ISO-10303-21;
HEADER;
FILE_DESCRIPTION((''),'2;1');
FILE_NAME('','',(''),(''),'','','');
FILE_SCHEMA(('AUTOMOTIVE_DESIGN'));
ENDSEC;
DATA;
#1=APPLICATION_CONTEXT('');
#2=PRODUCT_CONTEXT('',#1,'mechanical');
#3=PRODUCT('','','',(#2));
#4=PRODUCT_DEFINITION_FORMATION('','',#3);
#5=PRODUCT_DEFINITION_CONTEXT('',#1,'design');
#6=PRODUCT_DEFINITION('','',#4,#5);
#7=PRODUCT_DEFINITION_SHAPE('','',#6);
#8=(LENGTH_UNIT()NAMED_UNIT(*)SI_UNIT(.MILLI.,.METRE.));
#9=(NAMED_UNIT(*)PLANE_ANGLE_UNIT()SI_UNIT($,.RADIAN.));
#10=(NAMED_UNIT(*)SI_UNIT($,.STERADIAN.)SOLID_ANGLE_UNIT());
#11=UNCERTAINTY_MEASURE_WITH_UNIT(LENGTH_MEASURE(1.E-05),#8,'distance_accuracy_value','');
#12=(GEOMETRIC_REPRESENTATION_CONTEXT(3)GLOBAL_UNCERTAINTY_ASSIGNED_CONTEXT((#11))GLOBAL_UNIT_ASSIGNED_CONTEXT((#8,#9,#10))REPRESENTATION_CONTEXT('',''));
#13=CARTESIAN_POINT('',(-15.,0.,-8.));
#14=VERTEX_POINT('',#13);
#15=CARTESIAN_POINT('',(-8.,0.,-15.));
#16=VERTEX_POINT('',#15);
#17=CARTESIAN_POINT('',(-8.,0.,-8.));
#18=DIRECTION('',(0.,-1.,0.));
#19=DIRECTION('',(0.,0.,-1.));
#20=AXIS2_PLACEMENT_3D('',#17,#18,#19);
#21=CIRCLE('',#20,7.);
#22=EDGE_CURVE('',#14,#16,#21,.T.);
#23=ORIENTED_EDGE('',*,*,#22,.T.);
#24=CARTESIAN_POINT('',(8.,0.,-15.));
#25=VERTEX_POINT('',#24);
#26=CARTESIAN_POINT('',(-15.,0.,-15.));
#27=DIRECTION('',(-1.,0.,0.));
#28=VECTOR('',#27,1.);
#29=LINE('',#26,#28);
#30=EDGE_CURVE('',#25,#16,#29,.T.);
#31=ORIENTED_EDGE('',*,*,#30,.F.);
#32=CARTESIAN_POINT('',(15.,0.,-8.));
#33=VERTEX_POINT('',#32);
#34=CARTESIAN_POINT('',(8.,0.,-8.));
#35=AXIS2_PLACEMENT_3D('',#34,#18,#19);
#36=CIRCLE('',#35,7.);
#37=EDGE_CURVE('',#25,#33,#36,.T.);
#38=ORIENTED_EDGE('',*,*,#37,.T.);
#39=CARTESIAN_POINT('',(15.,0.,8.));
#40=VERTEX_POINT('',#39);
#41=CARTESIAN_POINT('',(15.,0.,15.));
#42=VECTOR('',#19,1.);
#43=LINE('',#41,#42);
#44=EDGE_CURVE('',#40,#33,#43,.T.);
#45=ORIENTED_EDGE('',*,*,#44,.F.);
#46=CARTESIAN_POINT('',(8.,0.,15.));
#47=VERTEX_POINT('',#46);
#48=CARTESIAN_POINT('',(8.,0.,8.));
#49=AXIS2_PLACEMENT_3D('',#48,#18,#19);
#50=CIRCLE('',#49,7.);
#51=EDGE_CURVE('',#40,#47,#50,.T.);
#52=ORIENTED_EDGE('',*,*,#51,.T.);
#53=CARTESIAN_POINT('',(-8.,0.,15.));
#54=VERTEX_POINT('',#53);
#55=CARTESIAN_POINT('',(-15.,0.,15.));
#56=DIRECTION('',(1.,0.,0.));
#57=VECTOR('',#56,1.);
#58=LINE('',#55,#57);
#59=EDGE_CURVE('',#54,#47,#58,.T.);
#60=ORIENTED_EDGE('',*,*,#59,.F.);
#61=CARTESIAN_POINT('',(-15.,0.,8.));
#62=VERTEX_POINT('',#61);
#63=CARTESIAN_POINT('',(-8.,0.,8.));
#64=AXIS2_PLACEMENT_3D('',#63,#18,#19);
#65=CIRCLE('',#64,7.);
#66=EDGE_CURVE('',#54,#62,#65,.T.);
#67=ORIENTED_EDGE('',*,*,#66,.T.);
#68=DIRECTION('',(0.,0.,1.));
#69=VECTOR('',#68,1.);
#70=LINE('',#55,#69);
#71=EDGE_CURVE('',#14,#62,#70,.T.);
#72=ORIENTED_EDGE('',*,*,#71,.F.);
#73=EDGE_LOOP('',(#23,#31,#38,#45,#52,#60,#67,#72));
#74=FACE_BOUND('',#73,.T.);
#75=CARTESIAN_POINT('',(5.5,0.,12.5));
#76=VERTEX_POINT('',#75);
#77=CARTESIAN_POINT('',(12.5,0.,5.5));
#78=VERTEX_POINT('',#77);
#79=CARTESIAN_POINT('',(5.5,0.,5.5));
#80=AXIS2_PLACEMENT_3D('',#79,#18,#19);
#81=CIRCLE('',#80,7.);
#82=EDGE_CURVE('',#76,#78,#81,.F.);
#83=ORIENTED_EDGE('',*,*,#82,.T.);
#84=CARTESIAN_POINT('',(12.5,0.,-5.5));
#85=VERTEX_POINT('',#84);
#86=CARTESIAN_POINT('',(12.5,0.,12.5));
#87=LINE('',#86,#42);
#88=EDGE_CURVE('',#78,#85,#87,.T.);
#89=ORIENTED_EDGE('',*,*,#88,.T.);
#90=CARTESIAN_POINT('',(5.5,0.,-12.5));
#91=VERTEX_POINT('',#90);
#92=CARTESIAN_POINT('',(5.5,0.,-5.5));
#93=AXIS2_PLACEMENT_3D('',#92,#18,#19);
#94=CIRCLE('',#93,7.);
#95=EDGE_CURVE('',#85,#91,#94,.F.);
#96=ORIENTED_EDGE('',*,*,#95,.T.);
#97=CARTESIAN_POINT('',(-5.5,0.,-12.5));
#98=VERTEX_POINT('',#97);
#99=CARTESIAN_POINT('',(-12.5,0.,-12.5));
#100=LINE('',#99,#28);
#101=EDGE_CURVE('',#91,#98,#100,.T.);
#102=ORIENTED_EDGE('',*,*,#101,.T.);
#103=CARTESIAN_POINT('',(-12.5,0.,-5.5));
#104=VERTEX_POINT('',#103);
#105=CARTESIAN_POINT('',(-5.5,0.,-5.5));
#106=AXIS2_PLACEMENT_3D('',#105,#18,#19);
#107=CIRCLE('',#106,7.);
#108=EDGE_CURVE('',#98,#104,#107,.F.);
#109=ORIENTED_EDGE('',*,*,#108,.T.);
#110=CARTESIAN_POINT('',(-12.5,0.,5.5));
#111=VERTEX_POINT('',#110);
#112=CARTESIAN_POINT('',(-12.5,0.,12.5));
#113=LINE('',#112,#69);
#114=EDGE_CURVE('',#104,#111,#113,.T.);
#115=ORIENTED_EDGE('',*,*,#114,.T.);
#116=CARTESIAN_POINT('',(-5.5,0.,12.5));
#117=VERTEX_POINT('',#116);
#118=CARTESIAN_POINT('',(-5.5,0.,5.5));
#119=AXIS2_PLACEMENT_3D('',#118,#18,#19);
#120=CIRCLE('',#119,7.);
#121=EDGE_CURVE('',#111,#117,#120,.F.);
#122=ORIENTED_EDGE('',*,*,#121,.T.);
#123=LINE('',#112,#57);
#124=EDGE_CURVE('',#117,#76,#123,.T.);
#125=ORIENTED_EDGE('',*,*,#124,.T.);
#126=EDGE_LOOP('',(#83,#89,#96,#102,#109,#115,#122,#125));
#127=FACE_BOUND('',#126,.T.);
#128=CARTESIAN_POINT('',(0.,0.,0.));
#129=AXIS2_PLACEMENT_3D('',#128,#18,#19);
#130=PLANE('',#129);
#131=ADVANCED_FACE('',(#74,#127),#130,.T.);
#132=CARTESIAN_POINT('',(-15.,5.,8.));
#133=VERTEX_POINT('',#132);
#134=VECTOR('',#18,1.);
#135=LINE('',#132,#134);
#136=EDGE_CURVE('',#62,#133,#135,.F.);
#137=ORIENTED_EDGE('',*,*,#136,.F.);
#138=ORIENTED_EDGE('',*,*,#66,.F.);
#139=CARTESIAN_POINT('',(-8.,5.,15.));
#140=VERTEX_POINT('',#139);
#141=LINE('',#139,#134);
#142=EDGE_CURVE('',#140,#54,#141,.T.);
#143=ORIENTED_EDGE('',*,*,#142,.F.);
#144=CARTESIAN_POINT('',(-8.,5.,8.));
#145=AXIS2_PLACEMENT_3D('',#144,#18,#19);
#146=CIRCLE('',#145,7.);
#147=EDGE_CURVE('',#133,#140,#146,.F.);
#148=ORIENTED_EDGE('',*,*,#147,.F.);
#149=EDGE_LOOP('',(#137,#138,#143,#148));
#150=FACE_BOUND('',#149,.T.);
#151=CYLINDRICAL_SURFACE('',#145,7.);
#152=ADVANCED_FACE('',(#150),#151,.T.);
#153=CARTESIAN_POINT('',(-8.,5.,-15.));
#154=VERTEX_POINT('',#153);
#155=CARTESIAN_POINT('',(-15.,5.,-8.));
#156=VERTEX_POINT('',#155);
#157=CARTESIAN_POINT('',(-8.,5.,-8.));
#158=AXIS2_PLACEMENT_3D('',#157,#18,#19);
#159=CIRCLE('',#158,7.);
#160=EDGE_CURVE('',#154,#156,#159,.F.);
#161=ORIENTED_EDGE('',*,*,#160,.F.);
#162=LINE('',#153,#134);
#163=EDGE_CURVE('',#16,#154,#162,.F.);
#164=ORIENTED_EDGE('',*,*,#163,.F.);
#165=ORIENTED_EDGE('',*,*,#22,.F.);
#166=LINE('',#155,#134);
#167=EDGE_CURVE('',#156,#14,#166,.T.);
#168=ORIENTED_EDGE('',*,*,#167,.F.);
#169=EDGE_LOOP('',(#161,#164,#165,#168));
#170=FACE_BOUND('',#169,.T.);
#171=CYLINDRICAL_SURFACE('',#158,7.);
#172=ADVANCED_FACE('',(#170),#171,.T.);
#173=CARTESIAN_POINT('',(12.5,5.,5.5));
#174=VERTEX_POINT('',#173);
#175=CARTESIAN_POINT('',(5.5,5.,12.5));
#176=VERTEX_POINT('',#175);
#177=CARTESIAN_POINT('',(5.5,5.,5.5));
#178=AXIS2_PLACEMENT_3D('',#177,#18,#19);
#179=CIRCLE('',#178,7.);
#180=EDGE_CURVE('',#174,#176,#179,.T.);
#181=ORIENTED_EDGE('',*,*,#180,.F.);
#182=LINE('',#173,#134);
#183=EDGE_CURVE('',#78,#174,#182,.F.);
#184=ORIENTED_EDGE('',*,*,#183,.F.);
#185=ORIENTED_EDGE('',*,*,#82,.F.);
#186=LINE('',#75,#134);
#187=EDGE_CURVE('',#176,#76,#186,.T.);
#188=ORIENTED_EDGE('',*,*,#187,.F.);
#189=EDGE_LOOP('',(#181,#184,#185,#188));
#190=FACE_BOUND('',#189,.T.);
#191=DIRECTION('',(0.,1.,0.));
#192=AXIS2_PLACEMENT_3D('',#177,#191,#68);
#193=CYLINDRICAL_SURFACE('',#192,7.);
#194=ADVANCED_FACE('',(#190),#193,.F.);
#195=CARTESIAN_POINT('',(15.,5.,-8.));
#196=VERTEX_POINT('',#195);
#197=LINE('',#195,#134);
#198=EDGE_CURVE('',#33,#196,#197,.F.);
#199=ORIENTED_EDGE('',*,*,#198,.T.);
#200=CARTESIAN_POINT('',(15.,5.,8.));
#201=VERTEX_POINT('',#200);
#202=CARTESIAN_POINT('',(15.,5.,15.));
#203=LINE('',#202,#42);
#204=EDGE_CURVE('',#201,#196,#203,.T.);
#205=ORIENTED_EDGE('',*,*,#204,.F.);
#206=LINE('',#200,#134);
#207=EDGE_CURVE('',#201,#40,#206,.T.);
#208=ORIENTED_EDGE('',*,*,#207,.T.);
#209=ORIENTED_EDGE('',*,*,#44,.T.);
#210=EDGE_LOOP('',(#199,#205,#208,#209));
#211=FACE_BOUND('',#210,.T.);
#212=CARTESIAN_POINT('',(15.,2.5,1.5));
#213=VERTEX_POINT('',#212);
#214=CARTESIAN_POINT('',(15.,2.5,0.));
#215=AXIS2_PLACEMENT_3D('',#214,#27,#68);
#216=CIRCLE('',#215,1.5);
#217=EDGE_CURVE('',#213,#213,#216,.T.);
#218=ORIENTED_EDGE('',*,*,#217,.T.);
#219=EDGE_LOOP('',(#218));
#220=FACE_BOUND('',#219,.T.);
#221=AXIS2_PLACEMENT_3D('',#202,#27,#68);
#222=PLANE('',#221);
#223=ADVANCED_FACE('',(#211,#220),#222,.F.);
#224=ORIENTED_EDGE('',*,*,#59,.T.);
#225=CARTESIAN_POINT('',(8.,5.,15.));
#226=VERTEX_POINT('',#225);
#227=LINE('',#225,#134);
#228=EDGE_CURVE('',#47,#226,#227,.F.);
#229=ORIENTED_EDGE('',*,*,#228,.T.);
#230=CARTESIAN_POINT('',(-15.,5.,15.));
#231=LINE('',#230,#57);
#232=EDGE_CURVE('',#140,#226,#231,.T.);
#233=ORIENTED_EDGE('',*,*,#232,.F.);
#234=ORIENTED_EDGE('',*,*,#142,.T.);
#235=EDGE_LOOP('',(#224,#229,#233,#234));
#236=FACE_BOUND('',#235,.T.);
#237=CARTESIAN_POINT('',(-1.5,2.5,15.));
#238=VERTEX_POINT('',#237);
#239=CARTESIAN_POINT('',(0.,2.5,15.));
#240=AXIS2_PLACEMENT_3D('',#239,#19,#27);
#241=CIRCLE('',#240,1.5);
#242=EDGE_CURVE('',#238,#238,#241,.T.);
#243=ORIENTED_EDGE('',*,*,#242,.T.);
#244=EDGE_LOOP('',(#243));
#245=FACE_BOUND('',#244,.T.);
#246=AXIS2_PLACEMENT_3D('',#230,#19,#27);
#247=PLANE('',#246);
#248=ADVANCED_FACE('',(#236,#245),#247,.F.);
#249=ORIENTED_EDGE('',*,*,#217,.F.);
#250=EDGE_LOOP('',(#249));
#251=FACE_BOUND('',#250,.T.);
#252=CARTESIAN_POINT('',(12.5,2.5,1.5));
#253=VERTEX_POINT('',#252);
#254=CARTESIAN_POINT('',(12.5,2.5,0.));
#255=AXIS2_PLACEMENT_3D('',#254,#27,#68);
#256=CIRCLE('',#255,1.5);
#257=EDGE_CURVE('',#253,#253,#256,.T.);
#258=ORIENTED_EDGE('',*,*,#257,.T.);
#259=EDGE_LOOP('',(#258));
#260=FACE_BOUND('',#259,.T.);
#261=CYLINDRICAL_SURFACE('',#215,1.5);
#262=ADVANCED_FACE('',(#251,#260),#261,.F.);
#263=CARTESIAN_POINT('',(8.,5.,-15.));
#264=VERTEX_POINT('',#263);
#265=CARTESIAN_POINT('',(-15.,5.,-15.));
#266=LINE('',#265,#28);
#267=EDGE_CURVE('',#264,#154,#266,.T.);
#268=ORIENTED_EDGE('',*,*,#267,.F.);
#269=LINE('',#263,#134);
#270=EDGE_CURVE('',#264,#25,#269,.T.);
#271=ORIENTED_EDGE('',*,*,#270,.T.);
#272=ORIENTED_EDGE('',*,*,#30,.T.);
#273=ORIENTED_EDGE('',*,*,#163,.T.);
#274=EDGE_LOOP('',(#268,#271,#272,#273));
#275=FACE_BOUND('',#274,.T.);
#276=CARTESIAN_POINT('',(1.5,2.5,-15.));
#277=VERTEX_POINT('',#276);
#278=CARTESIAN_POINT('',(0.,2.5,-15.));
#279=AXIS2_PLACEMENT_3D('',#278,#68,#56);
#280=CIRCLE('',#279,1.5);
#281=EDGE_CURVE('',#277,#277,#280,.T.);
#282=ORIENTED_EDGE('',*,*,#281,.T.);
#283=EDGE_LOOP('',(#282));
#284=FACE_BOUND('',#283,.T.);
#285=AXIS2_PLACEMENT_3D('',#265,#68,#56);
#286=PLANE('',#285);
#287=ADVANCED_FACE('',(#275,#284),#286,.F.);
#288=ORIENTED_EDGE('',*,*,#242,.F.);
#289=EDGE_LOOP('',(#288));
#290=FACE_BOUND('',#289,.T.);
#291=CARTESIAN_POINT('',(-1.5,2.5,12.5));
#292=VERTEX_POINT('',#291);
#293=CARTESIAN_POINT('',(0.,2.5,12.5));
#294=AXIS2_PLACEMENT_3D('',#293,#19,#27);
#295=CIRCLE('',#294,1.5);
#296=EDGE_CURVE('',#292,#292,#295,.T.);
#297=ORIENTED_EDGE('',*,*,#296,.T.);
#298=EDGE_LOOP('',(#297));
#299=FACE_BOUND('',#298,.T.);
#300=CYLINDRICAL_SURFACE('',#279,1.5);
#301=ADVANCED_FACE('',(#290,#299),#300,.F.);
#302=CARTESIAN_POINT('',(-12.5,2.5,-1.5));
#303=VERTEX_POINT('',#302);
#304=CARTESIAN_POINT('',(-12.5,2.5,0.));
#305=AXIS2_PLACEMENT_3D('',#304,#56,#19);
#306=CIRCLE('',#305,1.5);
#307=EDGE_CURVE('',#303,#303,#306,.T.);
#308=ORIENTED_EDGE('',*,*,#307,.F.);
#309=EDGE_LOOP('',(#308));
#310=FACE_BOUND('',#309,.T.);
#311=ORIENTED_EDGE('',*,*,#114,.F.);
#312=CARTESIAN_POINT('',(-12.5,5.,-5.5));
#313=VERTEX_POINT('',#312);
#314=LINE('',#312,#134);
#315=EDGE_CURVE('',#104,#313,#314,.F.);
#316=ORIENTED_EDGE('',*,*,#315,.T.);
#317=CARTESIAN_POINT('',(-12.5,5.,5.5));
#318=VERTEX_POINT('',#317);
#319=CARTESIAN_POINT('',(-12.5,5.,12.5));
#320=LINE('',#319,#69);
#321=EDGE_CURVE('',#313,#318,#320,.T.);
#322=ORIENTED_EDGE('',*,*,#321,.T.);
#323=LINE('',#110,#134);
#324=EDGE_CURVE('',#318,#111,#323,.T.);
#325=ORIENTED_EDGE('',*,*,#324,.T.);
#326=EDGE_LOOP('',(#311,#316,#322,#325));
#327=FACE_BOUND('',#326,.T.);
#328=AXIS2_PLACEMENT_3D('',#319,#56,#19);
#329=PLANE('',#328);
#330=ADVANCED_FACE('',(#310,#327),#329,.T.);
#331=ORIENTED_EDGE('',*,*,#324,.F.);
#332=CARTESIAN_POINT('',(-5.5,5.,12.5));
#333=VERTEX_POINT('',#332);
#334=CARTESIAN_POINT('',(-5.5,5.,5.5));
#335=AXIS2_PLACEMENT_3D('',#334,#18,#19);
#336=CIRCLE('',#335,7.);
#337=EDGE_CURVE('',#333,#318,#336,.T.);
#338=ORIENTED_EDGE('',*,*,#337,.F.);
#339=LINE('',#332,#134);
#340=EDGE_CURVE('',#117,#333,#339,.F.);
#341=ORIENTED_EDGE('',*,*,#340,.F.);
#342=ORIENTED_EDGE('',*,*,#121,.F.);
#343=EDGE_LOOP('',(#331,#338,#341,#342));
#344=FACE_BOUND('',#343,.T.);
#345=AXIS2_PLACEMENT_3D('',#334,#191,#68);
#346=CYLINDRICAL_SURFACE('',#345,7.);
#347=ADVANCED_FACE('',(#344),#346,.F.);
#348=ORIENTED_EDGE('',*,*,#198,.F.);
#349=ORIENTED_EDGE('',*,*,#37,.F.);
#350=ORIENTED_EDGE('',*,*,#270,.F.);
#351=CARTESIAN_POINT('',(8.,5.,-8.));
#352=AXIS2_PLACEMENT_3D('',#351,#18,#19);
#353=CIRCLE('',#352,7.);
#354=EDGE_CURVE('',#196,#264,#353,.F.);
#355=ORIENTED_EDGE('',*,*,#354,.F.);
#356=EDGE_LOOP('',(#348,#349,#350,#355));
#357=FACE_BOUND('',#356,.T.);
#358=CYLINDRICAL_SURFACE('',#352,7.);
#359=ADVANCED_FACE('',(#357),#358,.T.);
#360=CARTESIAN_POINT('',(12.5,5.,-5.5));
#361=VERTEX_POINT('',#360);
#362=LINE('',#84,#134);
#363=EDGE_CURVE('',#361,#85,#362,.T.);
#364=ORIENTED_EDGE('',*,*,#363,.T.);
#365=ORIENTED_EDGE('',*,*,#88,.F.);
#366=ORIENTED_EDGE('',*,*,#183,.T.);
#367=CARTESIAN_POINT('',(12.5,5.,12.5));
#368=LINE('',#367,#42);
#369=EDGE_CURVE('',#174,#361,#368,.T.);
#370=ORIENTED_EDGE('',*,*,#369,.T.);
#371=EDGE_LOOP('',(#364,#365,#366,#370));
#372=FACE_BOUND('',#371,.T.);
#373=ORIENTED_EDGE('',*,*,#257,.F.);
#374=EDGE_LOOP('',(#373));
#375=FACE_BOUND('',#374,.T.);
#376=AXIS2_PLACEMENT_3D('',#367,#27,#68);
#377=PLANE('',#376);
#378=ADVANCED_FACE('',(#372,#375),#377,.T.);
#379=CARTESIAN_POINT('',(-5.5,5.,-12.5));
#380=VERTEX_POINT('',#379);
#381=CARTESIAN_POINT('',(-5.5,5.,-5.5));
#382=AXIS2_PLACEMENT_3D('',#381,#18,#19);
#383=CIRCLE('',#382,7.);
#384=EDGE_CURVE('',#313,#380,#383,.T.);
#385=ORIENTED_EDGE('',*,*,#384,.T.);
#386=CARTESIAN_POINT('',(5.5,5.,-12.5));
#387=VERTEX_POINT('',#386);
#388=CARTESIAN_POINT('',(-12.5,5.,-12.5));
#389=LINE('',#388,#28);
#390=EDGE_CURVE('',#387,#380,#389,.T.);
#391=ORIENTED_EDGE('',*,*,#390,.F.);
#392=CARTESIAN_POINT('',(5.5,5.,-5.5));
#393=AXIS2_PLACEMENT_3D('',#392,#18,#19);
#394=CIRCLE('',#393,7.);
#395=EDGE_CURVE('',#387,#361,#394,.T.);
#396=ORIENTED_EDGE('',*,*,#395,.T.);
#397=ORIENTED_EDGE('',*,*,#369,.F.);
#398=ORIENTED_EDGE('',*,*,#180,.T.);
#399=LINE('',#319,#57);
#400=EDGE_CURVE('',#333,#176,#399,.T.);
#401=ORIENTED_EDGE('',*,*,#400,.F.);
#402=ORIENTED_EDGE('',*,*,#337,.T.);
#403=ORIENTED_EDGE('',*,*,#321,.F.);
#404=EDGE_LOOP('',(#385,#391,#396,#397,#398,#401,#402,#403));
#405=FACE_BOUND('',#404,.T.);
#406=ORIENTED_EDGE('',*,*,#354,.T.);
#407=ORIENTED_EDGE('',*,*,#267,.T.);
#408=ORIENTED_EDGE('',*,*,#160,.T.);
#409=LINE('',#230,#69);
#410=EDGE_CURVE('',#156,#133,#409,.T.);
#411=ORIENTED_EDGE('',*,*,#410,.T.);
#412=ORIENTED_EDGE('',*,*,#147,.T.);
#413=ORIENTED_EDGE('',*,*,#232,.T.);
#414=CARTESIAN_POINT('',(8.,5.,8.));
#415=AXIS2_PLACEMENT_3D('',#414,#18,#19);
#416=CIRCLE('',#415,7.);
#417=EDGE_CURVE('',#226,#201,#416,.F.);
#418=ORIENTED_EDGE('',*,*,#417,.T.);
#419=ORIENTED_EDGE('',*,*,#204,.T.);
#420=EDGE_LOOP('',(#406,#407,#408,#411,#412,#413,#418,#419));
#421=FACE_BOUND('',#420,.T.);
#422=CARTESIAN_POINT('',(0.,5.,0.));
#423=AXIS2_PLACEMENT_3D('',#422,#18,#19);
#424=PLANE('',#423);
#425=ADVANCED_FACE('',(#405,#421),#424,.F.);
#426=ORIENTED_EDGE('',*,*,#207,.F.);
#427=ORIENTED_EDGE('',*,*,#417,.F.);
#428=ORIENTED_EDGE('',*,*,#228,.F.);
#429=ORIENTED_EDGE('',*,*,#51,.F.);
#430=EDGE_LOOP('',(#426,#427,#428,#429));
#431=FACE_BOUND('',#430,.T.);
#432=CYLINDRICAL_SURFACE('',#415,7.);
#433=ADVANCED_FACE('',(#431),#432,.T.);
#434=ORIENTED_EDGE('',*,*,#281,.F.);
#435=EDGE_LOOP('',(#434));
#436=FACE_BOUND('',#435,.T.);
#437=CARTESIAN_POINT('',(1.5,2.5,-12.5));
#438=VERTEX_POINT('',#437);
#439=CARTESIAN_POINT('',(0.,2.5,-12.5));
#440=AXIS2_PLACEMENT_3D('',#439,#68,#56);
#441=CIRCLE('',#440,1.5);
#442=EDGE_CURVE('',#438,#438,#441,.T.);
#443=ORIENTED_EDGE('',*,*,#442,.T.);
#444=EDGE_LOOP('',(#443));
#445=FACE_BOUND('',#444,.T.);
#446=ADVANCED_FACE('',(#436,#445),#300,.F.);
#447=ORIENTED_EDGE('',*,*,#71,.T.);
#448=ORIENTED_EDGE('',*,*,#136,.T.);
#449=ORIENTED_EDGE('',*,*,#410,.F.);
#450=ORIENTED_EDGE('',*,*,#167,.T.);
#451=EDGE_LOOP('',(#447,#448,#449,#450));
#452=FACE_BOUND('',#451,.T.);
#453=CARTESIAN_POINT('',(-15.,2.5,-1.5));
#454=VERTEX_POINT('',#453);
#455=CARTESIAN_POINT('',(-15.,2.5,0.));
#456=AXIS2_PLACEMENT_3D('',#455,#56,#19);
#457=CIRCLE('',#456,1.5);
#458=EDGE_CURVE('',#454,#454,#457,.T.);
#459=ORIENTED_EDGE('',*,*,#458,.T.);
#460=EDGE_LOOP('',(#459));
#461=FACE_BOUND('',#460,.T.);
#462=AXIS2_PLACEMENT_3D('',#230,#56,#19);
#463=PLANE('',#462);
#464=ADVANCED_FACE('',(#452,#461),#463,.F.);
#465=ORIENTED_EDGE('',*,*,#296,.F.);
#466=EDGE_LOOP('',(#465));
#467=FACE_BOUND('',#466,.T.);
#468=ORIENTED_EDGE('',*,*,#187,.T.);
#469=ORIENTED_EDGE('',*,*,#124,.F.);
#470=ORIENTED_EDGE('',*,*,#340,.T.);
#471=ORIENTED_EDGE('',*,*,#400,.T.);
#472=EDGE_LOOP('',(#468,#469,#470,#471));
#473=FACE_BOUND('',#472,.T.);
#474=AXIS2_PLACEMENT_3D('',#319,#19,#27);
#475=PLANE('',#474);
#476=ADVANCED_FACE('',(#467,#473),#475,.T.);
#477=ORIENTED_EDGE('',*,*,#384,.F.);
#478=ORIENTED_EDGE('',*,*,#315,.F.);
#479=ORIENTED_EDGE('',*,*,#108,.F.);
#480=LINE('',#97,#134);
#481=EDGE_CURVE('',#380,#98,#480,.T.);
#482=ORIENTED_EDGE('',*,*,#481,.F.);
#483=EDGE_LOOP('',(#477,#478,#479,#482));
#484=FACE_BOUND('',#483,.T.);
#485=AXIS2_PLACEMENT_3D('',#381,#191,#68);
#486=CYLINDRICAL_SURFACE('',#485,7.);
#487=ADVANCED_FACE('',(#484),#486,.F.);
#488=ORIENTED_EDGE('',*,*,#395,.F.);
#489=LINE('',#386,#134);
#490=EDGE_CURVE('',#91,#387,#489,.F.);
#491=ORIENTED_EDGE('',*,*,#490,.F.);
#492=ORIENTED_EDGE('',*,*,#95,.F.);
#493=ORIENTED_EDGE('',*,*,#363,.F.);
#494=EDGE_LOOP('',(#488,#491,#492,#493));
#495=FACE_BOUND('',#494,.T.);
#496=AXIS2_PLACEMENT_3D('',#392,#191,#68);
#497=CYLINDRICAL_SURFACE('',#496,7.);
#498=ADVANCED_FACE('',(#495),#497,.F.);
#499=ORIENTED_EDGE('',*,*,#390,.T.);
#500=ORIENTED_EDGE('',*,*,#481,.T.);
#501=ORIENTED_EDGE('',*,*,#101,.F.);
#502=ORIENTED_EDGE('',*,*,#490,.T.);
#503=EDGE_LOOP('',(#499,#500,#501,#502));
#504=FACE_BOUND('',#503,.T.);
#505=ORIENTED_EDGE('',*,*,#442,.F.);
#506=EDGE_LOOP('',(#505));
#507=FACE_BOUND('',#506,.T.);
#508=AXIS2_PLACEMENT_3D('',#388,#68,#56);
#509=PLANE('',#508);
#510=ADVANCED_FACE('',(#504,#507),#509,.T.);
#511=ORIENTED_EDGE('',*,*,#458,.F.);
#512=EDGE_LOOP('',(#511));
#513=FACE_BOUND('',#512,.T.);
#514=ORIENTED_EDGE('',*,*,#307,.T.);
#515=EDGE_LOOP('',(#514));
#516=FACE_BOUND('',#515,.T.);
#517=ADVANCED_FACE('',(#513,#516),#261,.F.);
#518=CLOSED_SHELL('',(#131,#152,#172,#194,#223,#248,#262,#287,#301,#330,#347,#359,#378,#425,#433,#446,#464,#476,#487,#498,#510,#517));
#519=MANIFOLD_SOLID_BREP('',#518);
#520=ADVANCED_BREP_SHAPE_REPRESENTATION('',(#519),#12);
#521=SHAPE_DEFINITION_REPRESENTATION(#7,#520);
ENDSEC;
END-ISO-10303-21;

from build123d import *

# Parameters (mm, degrees)
CROQUIS1_W                 = 30
CROQUIS1_H                 = 30
CROQUIS1_W_2               = 25
CROQUIS1_H_2               = 25
SALIENTE_EXTRUIR1_DEPTH    = 5
CROQUIS2_R                 = 1.5
CORTAR_EXTRUIR1_DEPTH      = 1
CORTAR_EXTRUIR1_DEPTH_BACK = 31
CROQUIS3_R                 = 1.5
CORTAR_EXTRUIR2_DEPTH      = 1
CORTAR_EXTRUIR2_DEPTH_BACK = 31
REDONDEO1_R                = 7


with BuildPart() as part:
    # Croquis1 → Saliente-Extruir1 (new body)
    with BuildSketch(Plane(origin=(0, 0, 0), x_dir=(1, 0, 0), z_dir=(0, 1, 0))):
        Rectangle(CROQUIS1_W, CROQUIS1_H)
        Rectangle(CROQUIS1_W_2, CROQUIS1_H_2, mode=Mode.SUBTRACT)
    extrude(amount=SALIENTE_EXTRUIR1_DEPTH)

    # Croquis2 → Cortar-Extruir1 (cut, two sides)
    with BuildSketch(Plane.XY.offset(15)) as cortar_extruir1_sk:
        with Locations((0, 2.5)):
            Circle(CROQUIS2_R)
    extrude(amount=CORTAR_EXTRUIR1_DEPTH, mode=Mode.SUBTRACT)
    extrude(cortar_extruir1_sk.sketch, amount=-CORTAR_EXTRUIR1_DEPTH_BACK, mode=Mode.SUBTRACT)

    # Croquis3 → Cortar-Extruir2 (cut, two sides)
    with BuildSketch(Plane.ZY.offset(15)) as cortar_extruir2_sk:
        with Locations((0, 2.5)):
            Circle(CROQUIS3_R)
    extrude(amount=CORTAR_EXTRUIR2_DEPTH, mode=Mode.SUBTRACT)
    extrude(cortar_extruir2_sk.sketch, amount=-CORTAR_EXTRUIR2_DEPTH_BACK, mode=Mode.SUBTRACT)

    # Redondeo1
    redondeo1_edges = [part.edges().sort_by_distance(p)[0] for p in [
        (-12.5, 2.5, -12.5),
        (-12.5, 2.5, 12.5),
        (12.5, 2.5, 12.5),
        (12.5, 2.5, -12.5),
        (15, 2.5, 15),
        (-15, 2.5, 15),
        (-15, 2.5, -15),
        (15, 2.5, -15),
    ]]
    fillet(redondeo1_edges, radius=REDONDEO1_R)


solid = part.part
